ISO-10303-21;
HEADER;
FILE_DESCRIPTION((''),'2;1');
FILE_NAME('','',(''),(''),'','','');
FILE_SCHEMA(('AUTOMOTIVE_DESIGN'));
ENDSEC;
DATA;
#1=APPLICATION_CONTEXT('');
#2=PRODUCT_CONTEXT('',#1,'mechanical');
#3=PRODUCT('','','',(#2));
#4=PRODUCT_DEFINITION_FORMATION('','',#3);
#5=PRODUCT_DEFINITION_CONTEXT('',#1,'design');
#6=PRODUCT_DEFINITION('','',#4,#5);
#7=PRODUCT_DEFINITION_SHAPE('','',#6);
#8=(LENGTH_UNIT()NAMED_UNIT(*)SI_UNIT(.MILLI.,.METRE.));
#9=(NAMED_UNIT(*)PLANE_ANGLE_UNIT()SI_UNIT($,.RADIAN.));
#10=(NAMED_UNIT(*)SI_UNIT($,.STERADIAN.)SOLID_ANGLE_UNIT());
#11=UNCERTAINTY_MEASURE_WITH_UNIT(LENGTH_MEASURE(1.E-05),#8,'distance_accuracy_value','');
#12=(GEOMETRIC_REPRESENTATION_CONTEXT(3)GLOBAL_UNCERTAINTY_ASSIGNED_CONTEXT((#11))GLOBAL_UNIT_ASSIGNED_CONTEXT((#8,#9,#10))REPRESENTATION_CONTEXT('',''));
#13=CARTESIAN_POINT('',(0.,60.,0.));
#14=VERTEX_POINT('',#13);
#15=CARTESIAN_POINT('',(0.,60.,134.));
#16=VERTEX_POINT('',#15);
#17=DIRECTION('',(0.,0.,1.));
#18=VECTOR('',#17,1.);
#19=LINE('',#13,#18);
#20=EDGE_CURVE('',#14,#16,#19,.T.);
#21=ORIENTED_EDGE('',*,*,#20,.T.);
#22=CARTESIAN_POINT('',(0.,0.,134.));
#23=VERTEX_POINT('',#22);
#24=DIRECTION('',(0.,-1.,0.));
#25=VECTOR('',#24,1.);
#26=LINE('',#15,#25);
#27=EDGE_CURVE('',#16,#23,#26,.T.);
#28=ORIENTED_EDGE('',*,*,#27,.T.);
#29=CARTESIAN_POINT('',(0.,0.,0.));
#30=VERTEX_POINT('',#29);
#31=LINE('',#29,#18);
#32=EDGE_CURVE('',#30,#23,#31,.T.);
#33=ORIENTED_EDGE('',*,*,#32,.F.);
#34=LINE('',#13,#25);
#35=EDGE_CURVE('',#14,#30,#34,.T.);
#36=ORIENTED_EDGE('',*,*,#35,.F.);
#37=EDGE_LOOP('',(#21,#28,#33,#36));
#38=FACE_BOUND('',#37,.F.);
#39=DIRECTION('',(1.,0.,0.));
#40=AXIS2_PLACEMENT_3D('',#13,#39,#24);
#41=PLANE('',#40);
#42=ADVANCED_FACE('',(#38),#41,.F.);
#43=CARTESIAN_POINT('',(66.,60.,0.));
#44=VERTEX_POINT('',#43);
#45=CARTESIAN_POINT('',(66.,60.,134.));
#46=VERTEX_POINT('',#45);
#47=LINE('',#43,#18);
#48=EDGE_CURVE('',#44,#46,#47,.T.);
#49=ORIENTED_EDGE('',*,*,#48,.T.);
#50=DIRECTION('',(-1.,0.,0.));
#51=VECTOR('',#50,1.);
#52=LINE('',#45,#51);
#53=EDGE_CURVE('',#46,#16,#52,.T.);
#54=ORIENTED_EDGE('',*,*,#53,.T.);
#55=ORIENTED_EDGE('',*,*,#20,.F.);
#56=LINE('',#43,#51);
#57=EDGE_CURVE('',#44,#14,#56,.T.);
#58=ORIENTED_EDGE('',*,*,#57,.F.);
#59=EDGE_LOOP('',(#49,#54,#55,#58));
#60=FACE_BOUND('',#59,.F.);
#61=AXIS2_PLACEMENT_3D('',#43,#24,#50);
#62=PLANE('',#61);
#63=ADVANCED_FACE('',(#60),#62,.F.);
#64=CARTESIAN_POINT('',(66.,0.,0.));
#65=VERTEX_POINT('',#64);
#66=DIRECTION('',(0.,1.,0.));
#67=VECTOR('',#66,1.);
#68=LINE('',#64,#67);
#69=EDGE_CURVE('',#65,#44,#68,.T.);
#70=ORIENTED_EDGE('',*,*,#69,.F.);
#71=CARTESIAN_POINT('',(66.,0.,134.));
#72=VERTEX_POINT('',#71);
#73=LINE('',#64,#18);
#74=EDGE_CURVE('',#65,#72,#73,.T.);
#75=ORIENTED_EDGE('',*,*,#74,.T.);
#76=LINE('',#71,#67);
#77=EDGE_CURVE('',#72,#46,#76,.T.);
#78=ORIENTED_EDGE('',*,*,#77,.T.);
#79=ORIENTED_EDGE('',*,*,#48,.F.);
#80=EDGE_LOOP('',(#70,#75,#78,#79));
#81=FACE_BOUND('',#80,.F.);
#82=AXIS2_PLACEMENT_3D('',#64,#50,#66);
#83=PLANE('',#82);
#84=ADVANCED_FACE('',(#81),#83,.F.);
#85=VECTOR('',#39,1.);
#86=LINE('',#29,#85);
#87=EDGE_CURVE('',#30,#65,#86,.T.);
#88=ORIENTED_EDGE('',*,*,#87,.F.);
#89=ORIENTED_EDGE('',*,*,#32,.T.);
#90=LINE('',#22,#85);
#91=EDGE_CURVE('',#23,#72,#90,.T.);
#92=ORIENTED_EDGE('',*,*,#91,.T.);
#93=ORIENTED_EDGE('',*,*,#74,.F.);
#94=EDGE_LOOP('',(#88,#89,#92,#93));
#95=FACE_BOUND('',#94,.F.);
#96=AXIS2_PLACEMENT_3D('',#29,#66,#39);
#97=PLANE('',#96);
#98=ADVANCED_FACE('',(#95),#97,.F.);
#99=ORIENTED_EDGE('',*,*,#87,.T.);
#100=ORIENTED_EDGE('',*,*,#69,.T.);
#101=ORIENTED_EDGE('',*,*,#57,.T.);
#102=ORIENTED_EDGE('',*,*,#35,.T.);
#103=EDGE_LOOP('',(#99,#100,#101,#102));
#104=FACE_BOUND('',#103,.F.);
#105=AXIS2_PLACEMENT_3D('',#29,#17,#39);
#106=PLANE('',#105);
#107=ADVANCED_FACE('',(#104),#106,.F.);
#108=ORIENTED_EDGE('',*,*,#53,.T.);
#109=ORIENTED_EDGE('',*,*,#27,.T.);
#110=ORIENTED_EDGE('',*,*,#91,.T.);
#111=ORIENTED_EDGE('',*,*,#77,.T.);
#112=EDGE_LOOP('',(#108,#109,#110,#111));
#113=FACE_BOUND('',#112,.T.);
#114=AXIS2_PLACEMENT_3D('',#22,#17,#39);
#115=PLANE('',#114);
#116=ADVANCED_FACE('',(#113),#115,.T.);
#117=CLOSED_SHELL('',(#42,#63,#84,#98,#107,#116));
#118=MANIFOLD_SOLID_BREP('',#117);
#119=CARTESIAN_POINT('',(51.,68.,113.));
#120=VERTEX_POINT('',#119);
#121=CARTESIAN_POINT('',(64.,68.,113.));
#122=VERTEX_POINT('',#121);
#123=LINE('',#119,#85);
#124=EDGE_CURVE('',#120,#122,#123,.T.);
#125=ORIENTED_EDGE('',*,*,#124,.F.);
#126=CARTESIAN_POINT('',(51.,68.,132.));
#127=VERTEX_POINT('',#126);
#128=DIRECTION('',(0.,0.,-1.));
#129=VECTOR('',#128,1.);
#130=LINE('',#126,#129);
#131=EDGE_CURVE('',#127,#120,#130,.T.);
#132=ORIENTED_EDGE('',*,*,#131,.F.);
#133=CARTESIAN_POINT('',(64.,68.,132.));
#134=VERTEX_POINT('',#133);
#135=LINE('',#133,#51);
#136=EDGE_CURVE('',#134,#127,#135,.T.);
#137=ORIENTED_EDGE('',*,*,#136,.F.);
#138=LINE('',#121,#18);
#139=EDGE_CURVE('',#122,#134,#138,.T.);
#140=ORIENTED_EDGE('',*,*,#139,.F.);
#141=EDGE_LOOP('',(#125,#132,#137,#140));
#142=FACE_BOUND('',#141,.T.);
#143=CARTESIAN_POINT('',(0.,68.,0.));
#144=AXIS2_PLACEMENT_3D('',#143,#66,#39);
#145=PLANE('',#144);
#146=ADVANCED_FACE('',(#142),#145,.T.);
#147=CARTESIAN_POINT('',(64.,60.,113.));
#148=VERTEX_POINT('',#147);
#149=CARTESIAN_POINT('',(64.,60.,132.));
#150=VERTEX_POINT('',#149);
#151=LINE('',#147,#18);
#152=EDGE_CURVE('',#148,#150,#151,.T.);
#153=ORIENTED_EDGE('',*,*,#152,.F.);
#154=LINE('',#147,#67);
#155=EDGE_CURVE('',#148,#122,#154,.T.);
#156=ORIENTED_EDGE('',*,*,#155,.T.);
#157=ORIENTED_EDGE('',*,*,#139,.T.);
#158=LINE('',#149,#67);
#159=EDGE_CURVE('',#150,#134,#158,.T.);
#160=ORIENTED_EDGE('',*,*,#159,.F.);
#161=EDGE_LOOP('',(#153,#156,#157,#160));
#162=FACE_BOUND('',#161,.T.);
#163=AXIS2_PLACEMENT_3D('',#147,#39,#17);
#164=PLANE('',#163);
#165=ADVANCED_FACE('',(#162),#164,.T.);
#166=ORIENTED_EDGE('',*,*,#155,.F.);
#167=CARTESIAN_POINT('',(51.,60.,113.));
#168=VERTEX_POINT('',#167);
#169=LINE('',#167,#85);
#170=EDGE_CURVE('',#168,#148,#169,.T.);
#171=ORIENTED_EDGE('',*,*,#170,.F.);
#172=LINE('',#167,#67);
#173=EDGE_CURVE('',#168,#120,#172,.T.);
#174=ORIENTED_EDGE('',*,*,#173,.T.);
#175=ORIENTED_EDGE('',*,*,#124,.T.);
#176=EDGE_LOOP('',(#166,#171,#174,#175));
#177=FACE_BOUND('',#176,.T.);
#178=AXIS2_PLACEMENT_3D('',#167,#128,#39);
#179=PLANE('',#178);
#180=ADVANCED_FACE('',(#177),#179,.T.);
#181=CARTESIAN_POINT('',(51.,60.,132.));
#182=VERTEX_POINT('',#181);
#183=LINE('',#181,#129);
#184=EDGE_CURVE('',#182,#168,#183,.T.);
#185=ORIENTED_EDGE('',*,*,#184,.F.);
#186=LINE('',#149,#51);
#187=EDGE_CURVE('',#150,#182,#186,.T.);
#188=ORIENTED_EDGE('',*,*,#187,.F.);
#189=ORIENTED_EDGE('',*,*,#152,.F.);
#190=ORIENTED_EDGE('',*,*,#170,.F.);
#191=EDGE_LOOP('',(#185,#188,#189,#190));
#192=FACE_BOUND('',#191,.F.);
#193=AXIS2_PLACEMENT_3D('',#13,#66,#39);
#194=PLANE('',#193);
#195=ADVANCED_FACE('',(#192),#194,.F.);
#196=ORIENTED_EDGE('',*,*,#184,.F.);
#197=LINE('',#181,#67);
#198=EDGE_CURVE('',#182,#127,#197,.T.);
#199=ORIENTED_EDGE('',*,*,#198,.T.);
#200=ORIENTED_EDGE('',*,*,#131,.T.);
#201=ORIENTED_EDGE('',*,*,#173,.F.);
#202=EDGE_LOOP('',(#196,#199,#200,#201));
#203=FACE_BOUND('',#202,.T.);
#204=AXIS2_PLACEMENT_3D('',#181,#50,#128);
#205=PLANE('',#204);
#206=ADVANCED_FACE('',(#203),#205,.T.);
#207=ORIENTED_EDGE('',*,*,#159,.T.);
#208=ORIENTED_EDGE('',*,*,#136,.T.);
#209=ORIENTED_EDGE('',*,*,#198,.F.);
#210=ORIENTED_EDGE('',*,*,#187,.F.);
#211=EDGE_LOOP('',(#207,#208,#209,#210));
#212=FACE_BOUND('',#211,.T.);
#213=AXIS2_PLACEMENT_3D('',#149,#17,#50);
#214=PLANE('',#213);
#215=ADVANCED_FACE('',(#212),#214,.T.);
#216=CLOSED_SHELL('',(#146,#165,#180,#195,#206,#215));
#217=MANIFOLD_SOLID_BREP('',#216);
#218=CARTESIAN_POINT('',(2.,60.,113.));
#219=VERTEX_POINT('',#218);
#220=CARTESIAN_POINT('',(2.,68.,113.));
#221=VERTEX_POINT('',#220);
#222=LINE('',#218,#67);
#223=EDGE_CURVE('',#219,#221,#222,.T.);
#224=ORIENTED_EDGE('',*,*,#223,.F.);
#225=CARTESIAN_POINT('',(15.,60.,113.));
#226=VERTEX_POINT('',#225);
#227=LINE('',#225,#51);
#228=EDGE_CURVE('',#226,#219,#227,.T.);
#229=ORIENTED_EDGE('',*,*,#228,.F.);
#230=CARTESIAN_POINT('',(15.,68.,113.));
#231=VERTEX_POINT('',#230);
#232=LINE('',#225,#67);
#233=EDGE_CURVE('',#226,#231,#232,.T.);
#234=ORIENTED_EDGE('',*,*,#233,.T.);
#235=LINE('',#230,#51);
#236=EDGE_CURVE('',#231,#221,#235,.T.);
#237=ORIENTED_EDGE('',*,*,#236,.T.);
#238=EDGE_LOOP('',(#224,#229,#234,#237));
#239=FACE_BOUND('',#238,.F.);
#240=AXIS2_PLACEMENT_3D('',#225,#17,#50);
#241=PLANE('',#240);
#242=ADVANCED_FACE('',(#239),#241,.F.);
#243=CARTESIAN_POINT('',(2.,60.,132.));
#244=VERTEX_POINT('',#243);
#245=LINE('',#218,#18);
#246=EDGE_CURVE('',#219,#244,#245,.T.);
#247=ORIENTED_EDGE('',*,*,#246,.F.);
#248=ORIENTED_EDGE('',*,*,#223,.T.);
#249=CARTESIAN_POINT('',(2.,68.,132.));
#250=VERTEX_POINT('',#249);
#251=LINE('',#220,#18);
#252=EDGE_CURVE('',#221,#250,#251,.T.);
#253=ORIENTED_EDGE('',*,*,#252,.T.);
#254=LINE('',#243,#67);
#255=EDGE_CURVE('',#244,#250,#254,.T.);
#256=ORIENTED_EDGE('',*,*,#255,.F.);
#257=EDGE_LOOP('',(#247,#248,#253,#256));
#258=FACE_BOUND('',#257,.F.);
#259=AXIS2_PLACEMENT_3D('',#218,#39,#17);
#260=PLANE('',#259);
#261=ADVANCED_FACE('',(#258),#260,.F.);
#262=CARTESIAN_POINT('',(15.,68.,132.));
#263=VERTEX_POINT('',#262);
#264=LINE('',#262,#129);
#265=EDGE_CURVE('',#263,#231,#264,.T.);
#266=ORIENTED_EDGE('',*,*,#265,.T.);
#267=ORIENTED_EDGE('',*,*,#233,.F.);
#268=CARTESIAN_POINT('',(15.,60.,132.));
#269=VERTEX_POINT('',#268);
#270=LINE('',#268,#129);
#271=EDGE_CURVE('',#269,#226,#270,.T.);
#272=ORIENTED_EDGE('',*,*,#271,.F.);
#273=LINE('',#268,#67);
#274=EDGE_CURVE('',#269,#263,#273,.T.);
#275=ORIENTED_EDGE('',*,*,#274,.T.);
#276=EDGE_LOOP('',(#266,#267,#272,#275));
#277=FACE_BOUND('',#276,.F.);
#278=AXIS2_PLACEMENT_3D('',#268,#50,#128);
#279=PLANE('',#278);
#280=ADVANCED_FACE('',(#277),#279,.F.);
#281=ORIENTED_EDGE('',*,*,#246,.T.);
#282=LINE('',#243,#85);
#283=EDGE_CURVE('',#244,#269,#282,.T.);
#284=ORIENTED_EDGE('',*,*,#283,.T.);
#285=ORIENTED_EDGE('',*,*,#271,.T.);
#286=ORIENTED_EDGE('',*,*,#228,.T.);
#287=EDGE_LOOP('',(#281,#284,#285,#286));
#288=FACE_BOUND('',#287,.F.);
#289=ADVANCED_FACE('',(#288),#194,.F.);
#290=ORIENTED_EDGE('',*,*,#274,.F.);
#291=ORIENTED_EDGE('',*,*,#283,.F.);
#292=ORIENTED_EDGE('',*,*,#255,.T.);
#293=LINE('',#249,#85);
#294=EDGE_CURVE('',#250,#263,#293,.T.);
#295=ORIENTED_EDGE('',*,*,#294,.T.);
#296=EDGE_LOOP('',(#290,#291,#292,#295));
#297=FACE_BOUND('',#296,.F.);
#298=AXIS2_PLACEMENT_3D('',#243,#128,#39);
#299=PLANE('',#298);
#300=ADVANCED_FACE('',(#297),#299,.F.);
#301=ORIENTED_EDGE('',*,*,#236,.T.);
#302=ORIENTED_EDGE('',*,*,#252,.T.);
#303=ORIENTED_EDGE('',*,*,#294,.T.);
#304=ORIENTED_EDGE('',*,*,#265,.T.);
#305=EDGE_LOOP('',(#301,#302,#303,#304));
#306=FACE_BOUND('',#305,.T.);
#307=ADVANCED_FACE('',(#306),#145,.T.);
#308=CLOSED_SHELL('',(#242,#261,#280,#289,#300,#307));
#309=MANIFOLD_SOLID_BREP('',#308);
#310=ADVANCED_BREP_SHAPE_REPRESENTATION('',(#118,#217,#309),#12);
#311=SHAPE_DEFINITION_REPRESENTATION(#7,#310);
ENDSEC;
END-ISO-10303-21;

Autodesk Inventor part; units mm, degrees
ref_plane "YZ Plane" through (0, 0, 0) normal (1, 0, 0) x (0, 1, 0)
ref_plane "XZ Plane" through (0, 0, 0) normal (0, 1, 0) x (-1, 0, 0)
ref_plane "XY Plane" through (0, 0, 0) normal (0, 0, 1) x (1, 0, 0)
sketch "Sketch1" plane through (0, 0, 0) normal (0, 0, 1) x (1, 0, 0)
  line L0 (0, 0) -> (66, 0)
  line L1 (66, 0) -> (66, 60)
  line L2 (66, 60) -> (0, 60)
  line L3 (0, 60) -> (0, 0)
  dimension "BatteryHeight" = 60
  dimension "BatteryWidth" = 66
extrude "Extrusion1" add sketch "Sketch1" along normal blind 134
sketch "Sketch2" plane through (0, 60, 0) normal (0, 1, 0) x (1, 0, 0)
  line L0 (2, -132) -> (15, -132)
  line L1 (15, -132) -> (15, -113)
  line L2 (15, -113) -> (2, -113)
  line L3 (2, -113) -> (2, -132)
  line L4 (0, -134) -> (66, -134) projected
  line L5 (0, 0) -> (0, -134) projected
  dimension "d6" = 2
  dimension "d7" = 19
  dimension "d8" = 13
  dimension "d9" = 2
extrude "Extrusion2" add sketch "Sketch2" along normal blind 8 separate body
sketch "Sketch3" plane through (0, 60, 0) normal (0, 1, 0) x (1, 0, 0)
  line L0 (0, -134) -> (66, -134) projected
  line L1 (66, 0) -> (66, -134) projected
  line L2 (64, -132) -> (51, -132)
  line L3 (51, -132) -> (51, -113)
  line L4 (51, -113) -> (64, -113)
  line L5 (64, -113) -> (64, -132)
  dimension "d10" = 19
  dimension "d11" = 13
  dimension "d12" = 2
  dimension "d13" = 2
extrude "Extrusion3" add sketch "Sketch3" along normal blind 8 separate body
sketch "Sketch4" plane through (66, 0, 0) normal (1, 0, 0) x (0, 0, -1)
  line L0 (-134, 60) -> (-134, 0) projected
  line L1 (0, 0) -> (-134, 0) projected
  line L2 (0, 0) -> (0, 60) projected
  line L3 (0, 60) -> (-134, 60) projected
  line L4 (-67, 60) -> (-67, 0)
sketch "Sketch5" plane through (0, 0, 0) normal (-1, 0, 0) x (0, 0, 1)
  line L0 (134, 0) -> (134, 60) projected
  line L1 (0, 60) -> (134, 60) projected
  line L2 (0, 60) -> (0, 0) projected
  line L3 (0, 0) -> (134, 0) projected
  line L4 (67, 60) -> (67, 0)
properties part number "TB1272-Battery" material "Lead"
